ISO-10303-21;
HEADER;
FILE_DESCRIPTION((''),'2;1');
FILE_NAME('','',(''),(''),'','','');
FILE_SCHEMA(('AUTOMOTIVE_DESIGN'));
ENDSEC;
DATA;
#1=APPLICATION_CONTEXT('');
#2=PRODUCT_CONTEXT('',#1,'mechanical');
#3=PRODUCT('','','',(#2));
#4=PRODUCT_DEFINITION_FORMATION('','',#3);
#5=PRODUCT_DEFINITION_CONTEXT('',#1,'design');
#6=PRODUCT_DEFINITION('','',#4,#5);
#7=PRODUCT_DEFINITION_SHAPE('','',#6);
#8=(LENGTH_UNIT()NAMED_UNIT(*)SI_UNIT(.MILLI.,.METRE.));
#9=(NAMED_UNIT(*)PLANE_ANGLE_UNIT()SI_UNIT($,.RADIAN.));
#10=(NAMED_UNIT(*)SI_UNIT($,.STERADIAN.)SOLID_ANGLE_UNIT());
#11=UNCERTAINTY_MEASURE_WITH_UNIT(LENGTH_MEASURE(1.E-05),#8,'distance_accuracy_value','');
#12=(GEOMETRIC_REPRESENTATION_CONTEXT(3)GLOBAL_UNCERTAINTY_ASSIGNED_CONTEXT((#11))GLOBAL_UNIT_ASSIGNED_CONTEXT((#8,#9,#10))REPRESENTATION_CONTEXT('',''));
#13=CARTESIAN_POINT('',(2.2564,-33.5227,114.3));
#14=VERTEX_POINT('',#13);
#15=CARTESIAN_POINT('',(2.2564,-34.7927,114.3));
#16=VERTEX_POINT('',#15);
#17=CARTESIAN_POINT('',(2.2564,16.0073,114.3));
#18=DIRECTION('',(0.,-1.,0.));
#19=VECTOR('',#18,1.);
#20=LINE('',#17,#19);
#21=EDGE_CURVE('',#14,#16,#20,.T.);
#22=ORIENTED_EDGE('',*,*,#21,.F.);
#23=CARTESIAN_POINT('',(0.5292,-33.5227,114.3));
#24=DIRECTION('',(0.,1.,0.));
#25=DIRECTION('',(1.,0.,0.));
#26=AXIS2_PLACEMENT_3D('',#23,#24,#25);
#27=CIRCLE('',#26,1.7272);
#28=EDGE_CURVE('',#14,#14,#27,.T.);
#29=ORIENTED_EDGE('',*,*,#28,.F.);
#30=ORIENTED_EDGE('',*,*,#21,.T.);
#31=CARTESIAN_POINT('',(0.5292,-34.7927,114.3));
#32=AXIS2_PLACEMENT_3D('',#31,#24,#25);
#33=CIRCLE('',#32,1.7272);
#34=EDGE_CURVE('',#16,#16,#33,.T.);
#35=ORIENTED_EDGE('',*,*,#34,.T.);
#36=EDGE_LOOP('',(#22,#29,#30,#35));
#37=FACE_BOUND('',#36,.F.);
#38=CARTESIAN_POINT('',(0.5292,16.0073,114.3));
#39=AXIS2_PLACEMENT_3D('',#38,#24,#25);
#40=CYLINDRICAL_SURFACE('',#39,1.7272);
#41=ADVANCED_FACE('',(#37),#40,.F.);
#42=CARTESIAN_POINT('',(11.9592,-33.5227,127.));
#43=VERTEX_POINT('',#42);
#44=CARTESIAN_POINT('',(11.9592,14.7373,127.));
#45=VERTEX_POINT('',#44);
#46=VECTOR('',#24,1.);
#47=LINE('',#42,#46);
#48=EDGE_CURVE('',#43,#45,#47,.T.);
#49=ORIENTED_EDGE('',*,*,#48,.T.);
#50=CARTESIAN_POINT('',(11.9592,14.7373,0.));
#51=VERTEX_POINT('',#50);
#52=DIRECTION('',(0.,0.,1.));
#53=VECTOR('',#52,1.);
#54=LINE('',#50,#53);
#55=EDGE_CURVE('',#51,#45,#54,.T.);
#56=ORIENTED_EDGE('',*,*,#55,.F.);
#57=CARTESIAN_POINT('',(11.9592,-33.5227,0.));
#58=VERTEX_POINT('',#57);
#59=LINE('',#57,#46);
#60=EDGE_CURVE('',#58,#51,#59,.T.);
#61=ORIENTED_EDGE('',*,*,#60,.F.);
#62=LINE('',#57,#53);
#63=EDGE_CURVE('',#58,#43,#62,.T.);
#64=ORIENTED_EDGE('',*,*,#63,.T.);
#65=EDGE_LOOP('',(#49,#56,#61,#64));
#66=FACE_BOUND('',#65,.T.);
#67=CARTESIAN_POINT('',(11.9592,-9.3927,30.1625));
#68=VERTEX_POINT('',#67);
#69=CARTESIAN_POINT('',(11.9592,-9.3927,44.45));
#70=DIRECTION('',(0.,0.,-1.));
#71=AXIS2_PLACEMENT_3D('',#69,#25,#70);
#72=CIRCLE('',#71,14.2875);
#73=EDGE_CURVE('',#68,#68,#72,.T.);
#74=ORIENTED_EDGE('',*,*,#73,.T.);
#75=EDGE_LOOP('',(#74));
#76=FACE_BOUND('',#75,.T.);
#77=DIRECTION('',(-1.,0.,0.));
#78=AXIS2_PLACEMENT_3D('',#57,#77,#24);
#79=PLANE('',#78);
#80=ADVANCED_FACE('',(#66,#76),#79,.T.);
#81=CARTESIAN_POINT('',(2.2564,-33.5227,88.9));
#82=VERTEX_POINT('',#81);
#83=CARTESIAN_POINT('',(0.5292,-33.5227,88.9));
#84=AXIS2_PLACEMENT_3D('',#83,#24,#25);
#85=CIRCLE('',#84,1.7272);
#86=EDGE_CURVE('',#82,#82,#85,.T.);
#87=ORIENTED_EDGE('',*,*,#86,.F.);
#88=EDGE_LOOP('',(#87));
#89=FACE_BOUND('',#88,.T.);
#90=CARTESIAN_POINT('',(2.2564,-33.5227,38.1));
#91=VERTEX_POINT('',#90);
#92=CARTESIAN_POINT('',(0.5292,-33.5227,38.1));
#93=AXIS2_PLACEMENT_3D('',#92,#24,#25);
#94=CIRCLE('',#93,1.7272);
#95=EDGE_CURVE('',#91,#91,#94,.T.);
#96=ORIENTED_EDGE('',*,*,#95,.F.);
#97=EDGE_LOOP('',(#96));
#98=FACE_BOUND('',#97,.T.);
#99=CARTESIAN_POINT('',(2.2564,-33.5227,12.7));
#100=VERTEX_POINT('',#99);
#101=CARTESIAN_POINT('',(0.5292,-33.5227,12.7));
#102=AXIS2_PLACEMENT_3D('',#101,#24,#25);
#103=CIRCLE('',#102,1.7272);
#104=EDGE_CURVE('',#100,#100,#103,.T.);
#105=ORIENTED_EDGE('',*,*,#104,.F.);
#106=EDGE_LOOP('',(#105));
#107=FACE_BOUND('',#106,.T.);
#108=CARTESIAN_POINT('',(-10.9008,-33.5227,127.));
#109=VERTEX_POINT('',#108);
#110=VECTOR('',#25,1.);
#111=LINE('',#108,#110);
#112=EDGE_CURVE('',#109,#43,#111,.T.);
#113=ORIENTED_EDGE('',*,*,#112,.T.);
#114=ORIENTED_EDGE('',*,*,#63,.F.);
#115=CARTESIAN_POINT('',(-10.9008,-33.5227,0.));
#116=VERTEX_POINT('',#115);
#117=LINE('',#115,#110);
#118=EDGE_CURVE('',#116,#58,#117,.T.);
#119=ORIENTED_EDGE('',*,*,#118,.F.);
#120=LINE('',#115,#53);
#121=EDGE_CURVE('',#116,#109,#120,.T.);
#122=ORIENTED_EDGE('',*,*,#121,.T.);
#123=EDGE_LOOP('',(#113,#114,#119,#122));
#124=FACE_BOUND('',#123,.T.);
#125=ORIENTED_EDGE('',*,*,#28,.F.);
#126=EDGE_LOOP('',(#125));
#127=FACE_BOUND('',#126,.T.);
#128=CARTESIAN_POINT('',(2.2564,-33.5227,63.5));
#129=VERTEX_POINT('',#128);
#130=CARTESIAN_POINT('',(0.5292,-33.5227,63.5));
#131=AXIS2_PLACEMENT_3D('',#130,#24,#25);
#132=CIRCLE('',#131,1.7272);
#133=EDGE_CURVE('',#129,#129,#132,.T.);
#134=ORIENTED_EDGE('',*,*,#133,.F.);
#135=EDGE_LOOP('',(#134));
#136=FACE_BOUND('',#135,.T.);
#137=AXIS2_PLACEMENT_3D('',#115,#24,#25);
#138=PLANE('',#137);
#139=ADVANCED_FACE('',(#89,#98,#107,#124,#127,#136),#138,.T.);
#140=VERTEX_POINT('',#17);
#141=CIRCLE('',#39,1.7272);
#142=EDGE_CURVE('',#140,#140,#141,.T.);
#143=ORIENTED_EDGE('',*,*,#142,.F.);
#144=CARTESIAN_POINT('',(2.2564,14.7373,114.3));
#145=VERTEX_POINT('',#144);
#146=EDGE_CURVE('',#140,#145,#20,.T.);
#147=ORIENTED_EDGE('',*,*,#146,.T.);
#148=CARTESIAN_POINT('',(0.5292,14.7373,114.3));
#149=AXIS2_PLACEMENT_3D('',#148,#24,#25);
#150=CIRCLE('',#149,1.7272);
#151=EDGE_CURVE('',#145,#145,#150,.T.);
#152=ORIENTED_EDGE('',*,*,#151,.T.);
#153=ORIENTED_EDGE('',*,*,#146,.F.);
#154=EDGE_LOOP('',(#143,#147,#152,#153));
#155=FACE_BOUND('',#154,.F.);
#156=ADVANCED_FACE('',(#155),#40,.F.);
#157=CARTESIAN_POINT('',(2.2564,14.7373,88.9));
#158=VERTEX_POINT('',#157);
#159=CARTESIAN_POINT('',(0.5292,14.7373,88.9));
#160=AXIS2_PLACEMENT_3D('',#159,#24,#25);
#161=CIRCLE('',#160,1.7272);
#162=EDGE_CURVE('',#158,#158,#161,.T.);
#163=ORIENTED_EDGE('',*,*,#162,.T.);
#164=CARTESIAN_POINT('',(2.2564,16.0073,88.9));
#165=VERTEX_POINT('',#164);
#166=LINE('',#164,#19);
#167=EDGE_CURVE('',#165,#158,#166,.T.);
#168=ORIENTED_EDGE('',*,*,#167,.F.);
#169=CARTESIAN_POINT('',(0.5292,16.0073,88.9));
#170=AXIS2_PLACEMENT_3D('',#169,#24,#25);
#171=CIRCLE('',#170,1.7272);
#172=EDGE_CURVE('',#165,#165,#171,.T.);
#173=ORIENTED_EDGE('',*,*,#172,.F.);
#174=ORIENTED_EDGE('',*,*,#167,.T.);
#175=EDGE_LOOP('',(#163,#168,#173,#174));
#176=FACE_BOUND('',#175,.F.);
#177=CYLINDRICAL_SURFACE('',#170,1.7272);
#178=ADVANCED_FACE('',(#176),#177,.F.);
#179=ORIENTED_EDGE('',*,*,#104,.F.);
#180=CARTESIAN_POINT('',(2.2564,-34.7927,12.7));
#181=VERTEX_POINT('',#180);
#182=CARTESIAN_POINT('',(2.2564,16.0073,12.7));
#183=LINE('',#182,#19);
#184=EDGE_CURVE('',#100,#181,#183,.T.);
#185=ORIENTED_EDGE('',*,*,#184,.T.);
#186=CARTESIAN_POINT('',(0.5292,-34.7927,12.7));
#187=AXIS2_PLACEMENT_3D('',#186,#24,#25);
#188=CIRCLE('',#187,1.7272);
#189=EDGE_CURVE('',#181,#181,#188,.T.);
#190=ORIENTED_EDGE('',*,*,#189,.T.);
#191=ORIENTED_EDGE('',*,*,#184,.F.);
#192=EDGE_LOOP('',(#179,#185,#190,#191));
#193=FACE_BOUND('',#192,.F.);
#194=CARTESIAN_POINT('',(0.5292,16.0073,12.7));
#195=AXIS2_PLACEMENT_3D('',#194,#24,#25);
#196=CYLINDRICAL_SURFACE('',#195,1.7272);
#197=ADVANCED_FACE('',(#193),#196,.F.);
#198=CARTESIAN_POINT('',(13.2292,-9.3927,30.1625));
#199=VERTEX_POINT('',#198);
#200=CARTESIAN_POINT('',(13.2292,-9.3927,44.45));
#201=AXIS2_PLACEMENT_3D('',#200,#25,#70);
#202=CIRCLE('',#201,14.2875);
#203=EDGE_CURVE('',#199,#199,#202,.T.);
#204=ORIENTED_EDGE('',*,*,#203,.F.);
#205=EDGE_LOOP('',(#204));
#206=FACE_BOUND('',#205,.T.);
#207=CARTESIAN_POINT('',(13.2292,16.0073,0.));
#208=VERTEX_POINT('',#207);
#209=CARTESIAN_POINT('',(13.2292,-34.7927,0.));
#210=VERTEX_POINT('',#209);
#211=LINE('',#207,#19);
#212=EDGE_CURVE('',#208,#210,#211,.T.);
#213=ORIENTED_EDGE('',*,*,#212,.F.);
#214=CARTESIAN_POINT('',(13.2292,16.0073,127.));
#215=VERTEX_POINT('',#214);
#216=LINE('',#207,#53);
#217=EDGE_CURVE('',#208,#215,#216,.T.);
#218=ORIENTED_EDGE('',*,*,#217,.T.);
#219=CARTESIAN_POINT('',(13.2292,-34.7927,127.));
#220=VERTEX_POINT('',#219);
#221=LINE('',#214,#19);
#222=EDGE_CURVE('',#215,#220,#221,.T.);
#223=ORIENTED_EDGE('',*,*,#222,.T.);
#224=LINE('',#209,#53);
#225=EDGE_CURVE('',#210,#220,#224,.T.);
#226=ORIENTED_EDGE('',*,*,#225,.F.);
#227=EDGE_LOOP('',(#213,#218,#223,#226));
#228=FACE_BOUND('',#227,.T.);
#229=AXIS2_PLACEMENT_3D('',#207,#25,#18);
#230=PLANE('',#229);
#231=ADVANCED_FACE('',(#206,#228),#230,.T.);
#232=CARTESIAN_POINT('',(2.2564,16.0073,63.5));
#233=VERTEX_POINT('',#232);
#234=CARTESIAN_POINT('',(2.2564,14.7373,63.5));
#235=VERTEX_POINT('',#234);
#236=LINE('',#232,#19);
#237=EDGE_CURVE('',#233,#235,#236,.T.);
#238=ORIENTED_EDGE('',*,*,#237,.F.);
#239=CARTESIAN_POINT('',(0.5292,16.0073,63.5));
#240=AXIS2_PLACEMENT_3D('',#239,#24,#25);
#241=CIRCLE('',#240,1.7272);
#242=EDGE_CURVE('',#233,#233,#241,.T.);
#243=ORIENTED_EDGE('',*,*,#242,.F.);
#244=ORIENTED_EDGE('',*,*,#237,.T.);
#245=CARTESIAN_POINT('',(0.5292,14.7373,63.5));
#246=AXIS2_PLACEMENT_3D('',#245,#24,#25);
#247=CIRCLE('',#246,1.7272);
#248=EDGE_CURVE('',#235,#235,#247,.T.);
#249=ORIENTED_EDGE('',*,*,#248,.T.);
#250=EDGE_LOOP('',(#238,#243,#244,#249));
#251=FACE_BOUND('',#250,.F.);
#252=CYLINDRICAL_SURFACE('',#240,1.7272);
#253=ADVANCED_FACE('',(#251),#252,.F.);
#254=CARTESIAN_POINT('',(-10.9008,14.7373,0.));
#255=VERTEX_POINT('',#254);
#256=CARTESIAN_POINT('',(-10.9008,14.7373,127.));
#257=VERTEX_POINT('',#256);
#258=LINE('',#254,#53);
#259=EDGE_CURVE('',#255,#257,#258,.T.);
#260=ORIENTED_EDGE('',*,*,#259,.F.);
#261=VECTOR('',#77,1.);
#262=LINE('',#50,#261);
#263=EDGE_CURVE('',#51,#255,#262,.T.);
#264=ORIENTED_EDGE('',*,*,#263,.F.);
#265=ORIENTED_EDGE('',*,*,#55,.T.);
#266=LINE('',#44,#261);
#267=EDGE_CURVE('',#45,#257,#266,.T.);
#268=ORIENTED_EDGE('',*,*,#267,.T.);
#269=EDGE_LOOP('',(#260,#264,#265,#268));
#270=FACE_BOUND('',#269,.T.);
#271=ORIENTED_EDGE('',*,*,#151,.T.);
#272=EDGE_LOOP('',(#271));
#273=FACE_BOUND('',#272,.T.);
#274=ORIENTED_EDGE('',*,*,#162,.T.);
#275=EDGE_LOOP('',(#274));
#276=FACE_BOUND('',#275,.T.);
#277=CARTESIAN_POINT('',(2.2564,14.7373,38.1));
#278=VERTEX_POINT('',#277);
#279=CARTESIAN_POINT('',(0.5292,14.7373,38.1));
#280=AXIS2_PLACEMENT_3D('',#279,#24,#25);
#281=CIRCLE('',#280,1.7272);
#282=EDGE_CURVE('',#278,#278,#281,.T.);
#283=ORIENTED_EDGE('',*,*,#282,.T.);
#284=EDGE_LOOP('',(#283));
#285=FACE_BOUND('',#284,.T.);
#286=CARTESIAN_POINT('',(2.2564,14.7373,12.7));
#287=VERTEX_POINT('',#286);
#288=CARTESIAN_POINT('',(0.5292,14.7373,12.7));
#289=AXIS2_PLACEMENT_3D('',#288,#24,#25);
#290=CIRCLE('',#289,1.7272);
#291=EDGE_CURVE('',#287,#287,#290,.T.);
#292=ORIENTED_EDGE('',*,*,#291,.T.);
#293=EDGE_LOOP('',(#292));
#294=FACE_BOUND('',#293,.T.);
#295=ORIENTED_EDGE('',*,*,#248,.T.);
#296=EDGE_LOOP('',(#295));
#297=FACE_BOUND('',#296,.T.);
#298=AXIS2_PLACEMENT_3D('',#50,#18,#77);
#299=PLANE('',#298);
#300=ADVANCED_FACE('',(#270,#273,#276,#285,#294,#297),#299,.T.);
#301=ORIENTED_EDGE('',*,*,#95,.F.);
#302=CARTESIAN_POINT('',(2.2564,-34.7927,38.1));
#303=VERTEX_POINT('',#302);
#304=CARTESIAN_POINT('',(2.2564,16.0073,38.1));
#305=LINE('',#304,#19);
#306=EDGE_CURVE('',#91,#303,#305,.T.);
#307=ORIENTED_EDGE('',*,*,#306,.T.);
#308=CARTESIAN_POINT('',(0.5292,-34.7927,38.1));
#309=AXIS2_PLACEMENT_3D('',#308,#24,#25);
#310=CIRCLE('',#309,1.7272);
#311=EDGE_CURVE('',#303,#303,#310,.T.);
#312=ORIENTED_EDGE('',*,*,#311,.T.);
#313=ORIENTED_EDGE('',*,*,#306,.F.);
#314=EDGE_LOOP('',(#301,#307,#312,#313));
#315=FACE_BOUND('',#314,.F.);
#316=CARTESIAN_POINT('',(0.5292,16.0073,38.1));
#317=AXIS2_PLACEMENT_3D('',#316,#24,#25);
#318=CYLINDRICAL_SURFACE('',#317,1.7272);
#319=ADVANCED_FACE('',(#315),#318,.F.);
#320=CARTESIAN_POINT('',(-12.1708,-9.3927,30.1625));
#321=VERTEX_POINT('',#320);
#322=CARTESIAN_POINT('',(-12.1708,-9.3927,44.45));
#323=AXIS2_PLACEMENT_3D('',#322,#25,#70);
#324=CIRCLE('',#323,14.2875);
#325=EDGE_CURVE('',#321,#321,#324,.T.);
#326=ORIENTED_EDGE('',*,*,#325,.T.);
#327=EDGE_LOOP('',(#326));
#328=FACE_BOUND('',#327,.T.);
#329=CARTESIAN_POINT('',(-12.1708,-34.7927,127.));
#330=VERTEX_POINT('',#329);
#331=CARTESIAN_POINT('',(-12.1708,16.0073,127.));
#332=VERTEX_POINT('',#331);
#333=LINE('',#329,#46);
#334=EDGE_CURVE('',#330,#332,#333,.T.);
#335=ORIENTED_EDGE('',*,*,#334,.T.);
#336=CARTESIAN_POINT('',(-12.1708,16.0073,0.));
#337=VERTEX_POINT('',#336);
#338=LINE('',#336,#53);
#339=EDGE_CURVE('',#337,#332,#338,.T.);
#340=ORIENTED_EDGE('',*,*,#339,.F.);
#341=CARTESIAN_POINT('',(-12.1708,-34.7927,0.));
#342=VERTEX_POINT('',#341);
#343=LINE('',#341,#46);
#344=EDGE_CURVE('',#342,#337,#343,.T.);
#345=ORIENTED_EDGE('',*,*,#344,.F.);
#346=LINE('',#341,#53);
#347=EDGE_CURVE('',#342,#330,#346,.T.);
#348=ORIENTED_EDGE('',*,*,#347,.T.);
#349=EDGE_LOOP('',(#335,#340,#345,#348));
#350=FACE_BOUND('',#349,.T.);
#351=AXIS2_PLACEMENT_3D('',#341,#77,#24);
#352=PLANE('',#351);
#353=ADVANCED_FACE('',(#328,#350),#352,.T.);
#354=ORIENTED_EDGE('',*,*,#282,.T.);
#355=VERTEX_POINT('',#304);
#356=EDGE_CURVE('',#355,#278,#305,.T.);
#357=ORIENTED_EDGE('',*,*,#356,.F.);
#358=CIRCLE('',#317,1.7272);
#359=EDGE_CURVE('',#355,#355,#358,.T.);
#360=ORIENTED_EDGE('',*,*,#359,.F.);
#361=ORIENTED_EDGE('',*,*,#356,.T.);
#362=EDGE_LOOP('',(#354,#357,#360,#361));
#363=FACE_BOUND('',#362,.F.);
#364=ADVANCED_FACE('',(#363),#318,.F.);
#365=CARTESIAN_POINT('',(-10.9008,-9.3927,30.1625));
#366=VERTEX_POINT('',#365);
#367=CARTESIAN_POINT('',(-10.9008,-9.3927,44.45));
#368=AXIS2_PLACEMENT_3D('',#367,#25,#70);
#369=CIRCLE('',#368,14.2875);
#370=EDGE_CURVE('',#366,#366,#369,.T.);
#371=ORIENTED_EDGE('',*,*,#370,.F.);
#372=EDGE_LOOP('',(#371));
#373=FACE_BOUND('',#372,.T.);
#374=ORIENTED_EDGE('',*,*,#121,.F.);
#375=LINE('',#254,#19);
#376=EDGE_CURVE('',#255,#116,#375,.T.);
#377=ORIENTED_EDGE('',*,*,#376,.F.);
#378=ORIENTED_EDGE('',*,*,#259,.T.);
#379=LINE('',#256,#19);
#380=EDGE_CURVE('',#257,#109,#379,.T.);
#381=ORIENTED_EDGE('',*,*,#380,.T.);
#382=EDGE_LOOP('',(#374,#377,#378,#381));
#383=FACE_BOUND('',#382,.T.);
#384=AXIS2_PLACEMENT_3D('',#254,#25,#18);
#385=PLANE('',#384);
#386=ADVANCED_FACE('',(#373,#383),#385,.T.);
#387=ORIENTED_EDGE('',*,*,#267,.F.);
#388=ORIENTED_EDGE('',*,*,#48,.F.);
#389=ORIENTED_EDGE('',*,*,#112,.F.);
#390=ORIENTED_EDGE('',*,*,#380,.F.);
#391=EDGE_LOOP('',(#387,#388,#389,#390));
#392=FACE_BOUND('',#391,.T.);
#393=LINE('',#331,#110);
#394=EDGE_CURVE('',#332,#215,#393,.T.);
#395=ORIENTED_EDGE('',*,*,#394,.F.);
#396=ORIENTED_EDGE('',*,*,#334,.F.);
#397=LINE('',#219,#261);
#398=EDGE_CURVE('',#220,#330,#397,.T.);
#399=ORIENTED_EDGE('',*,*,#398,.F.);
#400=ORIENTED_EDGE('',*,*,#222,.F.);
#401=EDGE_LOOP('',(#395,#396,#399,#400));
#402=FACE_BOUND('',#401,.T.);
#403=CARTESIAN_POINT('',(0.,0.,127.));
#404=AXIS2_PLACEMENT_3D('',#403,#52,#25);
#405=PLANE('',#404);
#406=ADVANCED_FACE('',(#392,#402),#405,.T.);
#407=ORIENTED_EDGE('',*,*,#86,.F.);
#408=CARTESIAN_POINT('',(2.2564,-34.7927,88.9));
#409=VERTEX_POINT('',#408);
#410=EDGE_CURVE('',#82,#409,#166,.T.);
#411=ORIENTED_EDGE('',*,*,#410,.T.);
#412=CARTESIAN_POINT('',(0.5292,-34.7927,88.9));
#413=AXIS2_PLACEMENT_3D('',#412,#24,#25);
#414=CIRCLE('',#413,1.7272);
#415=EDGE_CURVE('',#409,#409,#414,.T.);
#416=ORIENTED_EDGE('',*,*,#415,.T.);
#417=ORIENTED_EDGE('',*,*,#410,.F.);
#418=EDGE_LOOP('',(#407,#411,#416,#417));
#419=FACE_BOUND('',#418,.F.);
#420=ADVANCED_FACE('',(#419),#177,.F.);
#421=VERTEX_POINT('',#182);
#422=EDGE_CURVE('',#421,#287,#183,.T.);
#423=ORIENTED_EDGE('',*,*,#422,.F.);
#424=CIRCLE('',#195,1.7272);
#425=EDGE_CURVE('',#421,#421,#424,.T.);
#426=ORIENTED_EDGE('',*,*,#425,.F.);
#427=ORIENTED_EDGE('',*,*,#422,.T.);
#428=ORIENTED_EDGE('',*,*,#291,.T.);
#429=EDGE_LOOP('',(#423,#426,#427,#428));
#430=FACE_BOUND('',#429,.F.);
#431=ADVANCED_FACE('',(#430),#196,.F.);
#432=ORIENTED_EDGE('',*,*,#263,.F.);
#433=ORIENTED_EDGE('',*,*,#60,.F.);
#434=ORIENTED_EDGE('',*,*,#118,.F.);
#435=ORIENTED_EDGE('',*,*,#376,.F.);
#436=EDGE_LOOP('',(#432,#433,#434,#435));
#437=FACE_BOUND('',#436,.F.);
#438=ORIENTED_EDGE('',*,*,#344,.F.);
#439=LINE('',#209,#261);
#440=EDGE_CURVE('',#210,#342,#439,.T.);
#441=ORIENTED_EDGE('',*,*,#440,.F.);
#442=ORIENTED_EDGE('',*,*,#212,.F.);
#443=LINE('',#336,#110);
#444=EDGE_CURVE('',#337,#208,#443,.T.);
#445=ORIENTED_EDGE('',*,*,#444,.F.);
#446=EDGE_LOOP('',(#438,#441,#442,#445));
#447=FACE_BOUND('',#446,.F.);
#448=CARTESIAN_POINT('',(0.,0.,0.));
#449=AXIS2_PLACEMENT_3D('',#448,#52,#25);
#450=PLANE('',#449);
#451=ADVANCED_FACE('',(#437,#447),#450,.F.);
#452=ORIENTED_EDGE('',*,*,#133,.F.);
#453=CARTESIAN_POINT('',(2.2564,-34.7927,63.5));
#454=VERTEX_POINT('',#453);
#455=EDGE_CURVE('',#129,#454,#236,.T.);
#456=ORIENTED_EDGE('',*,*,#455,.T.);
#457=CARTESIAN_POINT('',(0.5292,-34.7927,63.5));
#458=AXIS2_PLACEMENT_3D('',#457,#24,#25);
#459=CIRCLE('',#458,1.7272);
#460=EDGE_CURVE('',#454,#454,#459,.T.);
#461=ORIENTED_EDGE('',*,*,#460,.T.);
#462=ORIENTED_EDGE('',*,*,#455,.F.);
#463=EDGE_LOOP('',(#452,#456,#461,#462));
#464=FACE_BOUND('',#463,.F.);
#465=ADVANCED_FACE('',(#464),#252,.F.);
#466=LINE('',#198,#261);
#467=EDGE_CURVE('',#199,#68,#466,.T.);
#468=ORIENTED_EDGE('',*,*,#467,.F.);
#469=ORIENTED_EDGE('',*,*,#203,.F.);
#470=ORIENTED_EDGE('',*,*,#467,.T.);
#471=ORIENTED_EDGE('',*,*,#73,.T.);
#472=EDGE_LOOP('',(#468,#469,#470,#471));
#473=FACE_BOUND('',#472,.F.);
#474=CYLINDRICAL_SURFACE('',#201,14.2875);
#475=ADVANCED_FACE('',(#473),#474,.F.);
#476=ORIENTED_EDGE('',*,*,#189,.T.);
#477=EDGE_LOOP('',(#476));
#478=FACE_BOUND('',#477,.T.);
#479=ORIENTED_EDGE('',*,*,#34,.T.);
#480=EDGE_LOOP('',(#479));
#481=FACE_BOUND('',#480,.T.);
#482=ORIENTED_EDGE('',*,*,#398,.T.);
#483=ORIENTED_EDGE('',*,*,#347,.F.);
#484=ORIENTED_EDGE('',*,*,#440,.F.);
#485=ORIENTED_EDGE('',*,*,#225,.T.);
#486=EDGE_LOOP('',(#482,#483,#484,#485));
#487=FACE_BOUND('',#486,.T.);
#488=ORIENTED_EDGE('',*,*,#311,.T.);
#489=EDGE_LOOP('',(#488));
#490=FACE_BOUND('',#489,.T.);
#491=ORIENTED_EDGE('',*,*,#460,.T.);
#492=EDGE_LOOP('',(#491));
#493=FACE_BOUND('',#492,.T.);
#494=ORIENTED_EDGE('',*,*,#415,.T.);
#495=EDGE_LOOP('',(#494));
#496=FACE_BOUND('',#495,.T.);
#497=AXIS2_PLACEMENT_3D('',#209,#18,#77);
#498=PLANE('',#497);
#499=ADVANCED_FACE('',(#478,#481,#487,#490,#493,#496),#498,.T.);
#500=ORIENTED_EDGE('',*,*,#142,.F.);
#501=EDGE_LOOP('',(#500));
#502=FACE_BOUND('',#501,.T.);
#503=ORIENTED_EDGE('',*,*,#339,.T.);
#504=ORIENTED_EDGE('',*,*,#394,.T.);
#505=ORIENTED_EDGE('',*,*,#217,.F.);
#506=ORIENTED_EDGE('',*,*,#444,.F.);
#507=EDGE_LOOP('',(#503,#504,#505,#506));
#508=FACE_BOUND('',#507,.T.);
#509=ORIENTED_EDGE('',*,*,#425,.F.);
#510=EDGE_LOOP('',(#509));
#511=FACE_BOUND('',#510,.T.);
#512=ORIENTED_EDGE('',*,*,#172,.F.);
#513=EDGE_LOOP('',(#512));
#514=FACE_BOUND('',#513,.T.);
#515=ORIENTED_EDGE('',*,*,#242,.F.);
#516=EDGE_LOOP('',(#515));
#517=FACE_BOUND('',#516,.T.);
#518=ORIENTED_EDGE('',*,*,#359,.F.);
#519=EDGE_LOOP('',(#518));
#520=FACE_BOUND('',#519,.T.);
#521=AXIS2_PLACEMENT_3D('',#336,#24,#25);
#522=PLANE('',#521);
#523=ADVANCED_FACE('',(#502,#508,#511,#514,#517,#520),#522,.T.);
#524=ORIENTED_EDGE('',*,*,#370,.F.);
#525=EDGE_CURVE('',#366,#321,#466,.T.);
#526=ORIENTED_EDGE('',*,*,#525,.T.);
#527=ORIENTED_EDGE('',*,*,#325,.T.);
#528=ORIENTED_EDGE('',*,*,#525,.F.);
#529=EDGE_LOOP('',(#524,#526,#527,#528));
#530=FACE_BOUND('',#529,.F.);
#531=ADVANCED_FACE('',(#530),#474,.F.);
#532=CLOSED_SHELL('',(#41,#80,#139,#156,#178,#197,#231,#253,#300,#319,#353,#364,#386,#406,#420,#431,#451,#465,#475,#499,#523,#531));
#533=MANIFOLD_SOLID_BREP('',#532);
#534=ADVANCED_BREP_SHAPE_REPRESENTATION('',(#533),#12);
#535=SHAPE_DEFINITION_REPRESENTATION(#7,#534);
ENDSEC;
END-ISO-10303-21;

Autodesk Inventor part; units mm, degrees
ref_plane "YZ Plane" through (0, 0, 0) normal (1, 0, 0) x (0, 1, 0)
ref_plane "XZ Plane" through (0, 0, 0) normal (0, 1, 0) x (-1, 0, 0)
ref_plane "XY Plane" through (0, 0, 0) normal (0, 0, 1) x (1, 0, 0)
sketch "Sketch1" plane through (0, 0, 0) normal (0, 0, 1) x (1, 0, 0)
  line L0 (-12.1708, 16.0073) -> (13.2292, 16.0073)
  line L1 (13.2292, 16.0073) -> (13.2292, -34.7927)
  line L2 (13.2292, -34.7927) -> (-12.1708, -34.7927)
  line L3 (-12.1708, -34.7927) -> (-12.1708, 16.0073)
  line L4 (11.9592, 14.7373) -> (-10.9008, 14.7373)
  line L5 (-10.9008, 14.7373) -> (-10.9008, -33.5227)
  line L6 (-10.9008, -33.5227) -> (11.9592, -33.5227)
  line L7 (11.9592, -33.5227) -> (11.9592, 14.7373)
  point P0 (0, 0)
  dimension "d0" = 25.4
  dimension "d1" = 50.8
  dimension "d2" = 1.27
extrude "Extrusion1" add sketch "Sketch1" along normal blind 127
sketch "Sketch2" plane through (-12.1708, 16.0073, 0) normal (0, 1, 0) x (1, 0, 0)
  circle A0 centre (12.7, -12.7) radius 1.7272
  line L0 (25.4, 0) -> (0, 0) projected
  line L1 (0, 0) -> (0, -127) projected
  point P0 (12.1708, 0)
  dimension "d5" = 3.4544
  dimension "d6" = 12.7
  dimension "d7" = 12.7
extrude "Extrusion2" cut sketch "Sketch2" against normal through all
pattern_linear "Rectangular Pattern1" count 13 spacing 25.4 along (0, 0, 1) of "Extrusion2"
sketch "Sketch3" plane through (13.2292, -34.7927, 0) normal (1, 0, 0) x (0, 0, -1)
  circle A0 centre (-44.45, 25.4) radius 14.2875
  line L0 (-127, 0) -> (-127, 50.8) projected
  line L1 (0, 0) -> (0, 50.8) projected
  line L2 (0, 50.8) -> (-127, 50.8) projected
  point P0 (0, 34.7927)
  dimension "d15" = 28.575
  dimension "d18" = 25.4
  dimension "d21" = 44.45
extrude "Extrusion3" cut sketch "Sketch3" against normal blind 25.4
equation "\"d3\" = d13"
equation "\"d10\" = d14"
equation "\"d13\" = 127"
equation "\"d14\" = d13"
properties part number "RailSupp"
